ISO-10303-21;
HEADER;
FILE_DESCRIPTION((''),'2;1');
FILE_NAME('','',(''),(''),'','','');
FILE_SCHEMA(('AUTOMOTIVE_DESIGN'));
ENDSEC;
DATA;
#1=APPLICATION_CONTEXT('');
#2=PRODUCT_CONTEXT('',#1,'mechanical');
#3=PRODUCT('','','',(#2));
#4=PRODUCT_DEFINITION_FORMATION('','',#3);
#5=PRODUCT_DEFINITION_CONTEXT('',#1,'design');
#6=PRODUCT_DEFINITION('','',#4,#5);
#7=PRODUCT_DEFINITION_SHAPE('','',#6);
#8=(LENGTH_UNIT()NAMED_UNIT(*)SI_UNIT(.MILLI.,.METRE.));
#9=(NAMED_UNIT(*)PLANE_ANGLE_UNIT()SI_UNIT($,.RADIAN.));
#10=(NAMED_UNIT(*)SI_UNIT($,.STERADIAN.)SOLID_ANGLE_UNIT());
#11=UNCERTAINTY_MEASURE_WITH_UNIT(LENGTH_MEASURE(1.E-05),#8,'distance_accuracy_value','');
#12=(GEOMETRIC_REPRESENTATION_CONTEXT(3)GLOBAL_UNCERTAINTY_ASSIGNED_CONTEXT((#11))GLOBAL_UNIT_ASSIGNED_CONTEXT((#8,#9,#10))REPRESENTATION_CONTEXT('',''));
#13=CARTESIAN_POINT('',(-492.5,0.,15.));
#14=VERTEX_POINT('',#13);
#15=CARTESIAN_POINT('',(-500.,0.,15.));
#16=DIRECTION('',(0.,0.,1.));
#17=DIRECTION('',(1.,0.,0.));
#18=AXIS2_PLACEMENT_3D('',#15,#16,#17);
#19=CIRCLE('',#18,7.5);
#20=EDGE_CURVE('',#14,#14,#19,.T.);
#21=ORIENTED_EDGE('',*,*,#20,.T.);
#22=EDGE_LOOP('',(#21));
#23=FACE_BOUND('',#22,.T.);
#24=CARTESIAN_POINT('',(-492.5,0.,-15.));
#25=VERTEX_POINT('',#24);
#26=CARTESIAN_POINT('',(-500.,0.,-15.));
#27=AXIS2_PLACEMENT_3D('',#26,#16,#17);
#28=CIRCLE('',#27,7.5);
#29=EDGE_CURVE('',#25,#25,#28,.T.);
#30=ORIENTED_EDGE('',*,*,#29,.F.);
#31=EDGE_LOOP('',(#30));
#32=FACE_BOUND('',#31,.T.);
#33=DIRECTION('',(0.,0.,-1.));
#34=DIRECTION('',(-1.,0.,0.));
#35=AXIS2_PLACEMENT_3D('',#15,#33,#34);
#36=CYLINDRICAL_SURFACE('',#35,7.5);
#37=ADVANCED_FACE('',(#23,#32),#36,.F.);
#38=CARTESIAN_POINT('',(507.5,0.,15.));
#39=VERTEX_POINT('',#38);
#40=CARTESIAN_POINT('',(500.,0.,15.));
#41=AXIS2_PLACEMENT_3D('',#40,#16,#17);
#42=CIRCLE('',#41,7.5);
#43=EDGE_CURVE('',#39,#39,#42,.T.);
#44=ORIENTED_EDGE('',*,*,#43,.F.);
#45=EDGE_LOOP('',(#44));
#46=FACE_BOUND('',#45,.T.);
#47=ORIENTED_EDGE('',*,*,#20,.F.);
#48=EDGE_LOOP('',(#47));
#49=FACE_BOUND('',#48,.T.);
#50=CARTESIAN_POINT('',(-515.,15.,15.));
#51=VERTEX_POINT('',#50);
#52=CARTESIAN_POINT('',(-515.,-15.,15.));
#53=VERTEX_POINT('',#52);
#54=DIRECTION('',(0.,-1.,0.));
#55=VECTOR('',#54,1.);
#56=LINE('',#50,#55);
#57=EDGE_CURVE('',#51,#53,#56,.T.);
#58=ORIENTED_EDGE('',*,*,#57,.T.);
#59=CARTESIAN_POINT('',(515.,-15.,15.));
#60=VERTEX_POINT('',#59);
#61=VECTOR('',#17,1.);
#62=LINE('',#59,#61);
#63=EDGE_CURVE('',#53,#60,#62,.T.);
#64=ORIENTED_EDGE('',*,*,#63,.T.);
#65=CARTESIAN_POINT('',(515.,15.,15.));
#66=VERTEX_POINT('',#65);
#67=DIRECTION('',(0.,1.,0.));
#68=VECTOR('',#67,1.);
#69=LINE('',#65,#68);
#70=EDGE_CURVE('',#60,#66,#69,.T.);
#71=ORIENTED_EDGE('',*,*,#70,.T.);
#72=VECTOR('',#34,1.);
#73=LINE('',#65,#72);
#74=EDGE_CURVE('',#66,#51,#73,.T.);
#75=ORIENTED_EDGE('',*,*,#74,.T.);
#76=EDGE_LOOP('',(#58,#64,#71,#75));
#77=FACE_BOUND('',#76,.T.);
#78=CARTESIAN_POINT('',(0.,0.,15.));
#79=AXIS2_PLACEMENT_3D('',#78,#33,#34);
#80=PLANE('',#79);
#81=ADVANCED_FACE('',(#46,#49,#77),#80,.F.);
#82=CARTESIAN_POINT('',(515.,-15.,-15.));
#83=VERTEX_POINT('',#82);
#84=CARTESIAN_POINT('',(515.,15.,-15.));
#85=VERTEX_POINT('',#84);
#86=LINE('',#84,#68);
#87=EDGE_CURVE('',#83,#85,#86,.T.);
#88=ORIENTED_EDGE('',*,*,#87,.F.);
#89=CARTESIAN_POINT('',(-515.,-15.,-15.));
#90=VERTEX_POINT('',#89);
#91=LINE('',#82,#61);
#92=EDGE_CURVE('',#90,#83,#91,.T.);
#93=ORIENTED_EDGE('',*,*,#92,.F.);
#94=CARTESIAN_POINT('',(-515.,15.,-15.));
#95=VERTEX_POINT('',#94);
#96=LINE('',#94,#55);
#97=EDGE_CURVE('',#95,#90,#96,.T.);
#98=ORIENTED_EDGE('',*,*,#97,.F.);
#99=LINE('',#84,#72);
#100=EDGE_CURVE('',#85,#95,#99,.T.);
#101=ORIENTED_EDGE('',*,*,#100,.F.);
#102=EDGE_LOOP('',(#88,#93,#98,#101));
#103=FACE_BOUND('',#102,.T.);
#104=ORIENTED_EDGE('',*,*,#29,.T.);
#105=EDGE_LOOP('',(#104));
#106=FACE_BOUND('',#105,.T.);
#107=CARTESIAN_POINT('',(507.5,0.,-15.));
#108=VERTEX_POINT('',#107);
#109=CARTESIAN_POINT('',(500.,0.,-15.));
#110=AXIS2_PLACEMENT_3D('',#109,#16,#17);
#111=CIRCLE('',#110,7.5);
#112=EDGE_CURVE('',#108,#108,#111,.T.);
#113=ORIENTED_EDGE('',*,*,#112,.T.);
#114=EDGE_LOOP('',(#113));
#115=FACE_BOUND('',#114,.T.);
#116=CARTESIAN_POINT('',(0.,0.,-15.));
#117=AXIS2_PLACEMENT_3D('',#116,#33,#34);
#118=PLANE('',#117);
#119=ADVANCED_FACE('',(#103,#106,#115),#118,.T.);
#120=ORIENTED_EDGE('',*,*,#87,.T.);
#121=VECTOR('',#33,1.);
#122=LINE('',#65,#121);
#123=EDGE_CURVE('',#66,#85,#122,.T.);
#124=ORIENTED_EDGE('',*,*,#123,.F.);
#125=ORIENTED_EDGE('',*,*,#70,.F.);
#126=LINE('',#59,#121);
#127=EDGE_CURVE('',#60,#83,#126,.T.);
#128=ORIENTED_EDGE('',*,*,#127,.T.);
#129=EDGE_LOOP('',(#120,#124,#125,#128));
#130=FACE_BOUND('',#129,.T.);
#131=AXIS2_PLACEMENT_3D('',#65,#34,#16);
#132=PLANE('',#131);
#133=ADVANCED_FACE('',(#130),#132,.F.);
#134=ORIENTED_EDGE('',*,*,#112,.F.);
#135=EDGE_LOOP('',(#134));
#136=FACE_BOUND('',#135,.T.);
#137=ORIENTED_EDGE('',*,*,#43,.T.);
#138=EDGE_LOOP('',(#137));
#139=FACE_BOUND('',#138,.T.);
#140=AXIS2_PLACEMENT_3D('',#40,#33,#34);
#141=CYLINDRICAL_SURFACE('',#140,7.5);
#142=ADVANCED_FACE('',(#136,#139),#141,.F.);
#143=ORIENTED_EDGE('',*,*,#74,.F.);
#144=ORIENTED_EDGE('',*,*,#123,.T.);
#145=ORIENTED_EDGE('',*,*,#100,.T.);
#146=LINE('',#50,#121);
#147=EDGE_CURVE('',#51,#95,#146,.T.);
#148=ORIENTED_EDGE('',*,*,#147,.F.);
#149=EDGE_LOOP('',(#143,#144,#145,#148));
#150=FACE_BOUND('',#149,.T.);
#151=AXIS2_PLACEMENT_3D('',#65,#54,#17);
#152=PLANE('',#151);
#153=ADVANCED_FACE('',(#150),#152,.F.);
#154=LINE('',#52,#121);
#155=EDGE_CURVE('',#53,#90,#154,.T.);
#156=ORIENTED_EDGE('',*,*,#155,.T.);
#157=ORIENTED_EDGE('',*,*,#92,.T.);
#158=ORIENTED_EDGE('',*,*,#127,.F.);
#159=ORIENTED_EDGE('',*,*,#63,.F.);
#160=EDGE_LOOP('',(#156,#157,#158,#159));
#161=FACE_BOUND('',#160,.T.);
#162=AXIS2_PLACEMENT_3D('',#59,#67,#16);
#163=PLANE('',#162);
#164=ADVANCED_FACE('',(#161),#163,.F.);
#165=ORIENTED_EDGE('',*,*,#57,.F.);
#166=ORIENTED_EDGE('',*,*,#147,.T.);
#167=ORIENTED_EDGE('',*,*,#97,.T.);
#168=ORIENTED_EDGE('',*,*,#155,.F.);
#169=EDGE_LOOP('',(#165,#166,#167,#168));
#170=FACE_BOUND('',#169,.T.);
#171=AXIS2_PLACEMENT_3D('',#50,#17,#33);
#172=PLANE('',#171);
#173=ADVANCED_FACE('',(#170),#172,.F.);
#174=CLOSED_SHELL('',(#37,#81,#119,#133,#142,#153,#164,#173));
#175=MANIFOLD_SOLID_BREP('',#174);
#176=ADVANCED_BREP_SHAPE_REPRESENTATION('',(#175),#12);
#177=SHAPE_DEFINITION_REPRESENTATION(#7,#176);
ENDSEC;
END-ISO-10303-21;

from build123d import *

# Parameters (mm, degrees)
SKETCH1_W           = 1030
SKETCH1_H           = 30
SKETCH1_R           = 7.5
BOSS_EXTRUDE1_DEPTH = 15


with BuildPart() as part:
    # Sketch1 → Boss-Extrude1 (new, symmetric)
    with BuildSketch(Plane.XY):
        Rectangle(SKETCH1_W, SKETCH1_H)
        with Locations((-500, 0)):
            Circle(SKETCH1_R, mode=Mode.SUBTRACT)
        with Locations((500, 0)):
            Circle(SKETCH1_R, mode=Mode.SUBTRACT)
    extrude(amount=BOSS_EXTRUDE1_DEPTH, both=True)


solid = part.part
